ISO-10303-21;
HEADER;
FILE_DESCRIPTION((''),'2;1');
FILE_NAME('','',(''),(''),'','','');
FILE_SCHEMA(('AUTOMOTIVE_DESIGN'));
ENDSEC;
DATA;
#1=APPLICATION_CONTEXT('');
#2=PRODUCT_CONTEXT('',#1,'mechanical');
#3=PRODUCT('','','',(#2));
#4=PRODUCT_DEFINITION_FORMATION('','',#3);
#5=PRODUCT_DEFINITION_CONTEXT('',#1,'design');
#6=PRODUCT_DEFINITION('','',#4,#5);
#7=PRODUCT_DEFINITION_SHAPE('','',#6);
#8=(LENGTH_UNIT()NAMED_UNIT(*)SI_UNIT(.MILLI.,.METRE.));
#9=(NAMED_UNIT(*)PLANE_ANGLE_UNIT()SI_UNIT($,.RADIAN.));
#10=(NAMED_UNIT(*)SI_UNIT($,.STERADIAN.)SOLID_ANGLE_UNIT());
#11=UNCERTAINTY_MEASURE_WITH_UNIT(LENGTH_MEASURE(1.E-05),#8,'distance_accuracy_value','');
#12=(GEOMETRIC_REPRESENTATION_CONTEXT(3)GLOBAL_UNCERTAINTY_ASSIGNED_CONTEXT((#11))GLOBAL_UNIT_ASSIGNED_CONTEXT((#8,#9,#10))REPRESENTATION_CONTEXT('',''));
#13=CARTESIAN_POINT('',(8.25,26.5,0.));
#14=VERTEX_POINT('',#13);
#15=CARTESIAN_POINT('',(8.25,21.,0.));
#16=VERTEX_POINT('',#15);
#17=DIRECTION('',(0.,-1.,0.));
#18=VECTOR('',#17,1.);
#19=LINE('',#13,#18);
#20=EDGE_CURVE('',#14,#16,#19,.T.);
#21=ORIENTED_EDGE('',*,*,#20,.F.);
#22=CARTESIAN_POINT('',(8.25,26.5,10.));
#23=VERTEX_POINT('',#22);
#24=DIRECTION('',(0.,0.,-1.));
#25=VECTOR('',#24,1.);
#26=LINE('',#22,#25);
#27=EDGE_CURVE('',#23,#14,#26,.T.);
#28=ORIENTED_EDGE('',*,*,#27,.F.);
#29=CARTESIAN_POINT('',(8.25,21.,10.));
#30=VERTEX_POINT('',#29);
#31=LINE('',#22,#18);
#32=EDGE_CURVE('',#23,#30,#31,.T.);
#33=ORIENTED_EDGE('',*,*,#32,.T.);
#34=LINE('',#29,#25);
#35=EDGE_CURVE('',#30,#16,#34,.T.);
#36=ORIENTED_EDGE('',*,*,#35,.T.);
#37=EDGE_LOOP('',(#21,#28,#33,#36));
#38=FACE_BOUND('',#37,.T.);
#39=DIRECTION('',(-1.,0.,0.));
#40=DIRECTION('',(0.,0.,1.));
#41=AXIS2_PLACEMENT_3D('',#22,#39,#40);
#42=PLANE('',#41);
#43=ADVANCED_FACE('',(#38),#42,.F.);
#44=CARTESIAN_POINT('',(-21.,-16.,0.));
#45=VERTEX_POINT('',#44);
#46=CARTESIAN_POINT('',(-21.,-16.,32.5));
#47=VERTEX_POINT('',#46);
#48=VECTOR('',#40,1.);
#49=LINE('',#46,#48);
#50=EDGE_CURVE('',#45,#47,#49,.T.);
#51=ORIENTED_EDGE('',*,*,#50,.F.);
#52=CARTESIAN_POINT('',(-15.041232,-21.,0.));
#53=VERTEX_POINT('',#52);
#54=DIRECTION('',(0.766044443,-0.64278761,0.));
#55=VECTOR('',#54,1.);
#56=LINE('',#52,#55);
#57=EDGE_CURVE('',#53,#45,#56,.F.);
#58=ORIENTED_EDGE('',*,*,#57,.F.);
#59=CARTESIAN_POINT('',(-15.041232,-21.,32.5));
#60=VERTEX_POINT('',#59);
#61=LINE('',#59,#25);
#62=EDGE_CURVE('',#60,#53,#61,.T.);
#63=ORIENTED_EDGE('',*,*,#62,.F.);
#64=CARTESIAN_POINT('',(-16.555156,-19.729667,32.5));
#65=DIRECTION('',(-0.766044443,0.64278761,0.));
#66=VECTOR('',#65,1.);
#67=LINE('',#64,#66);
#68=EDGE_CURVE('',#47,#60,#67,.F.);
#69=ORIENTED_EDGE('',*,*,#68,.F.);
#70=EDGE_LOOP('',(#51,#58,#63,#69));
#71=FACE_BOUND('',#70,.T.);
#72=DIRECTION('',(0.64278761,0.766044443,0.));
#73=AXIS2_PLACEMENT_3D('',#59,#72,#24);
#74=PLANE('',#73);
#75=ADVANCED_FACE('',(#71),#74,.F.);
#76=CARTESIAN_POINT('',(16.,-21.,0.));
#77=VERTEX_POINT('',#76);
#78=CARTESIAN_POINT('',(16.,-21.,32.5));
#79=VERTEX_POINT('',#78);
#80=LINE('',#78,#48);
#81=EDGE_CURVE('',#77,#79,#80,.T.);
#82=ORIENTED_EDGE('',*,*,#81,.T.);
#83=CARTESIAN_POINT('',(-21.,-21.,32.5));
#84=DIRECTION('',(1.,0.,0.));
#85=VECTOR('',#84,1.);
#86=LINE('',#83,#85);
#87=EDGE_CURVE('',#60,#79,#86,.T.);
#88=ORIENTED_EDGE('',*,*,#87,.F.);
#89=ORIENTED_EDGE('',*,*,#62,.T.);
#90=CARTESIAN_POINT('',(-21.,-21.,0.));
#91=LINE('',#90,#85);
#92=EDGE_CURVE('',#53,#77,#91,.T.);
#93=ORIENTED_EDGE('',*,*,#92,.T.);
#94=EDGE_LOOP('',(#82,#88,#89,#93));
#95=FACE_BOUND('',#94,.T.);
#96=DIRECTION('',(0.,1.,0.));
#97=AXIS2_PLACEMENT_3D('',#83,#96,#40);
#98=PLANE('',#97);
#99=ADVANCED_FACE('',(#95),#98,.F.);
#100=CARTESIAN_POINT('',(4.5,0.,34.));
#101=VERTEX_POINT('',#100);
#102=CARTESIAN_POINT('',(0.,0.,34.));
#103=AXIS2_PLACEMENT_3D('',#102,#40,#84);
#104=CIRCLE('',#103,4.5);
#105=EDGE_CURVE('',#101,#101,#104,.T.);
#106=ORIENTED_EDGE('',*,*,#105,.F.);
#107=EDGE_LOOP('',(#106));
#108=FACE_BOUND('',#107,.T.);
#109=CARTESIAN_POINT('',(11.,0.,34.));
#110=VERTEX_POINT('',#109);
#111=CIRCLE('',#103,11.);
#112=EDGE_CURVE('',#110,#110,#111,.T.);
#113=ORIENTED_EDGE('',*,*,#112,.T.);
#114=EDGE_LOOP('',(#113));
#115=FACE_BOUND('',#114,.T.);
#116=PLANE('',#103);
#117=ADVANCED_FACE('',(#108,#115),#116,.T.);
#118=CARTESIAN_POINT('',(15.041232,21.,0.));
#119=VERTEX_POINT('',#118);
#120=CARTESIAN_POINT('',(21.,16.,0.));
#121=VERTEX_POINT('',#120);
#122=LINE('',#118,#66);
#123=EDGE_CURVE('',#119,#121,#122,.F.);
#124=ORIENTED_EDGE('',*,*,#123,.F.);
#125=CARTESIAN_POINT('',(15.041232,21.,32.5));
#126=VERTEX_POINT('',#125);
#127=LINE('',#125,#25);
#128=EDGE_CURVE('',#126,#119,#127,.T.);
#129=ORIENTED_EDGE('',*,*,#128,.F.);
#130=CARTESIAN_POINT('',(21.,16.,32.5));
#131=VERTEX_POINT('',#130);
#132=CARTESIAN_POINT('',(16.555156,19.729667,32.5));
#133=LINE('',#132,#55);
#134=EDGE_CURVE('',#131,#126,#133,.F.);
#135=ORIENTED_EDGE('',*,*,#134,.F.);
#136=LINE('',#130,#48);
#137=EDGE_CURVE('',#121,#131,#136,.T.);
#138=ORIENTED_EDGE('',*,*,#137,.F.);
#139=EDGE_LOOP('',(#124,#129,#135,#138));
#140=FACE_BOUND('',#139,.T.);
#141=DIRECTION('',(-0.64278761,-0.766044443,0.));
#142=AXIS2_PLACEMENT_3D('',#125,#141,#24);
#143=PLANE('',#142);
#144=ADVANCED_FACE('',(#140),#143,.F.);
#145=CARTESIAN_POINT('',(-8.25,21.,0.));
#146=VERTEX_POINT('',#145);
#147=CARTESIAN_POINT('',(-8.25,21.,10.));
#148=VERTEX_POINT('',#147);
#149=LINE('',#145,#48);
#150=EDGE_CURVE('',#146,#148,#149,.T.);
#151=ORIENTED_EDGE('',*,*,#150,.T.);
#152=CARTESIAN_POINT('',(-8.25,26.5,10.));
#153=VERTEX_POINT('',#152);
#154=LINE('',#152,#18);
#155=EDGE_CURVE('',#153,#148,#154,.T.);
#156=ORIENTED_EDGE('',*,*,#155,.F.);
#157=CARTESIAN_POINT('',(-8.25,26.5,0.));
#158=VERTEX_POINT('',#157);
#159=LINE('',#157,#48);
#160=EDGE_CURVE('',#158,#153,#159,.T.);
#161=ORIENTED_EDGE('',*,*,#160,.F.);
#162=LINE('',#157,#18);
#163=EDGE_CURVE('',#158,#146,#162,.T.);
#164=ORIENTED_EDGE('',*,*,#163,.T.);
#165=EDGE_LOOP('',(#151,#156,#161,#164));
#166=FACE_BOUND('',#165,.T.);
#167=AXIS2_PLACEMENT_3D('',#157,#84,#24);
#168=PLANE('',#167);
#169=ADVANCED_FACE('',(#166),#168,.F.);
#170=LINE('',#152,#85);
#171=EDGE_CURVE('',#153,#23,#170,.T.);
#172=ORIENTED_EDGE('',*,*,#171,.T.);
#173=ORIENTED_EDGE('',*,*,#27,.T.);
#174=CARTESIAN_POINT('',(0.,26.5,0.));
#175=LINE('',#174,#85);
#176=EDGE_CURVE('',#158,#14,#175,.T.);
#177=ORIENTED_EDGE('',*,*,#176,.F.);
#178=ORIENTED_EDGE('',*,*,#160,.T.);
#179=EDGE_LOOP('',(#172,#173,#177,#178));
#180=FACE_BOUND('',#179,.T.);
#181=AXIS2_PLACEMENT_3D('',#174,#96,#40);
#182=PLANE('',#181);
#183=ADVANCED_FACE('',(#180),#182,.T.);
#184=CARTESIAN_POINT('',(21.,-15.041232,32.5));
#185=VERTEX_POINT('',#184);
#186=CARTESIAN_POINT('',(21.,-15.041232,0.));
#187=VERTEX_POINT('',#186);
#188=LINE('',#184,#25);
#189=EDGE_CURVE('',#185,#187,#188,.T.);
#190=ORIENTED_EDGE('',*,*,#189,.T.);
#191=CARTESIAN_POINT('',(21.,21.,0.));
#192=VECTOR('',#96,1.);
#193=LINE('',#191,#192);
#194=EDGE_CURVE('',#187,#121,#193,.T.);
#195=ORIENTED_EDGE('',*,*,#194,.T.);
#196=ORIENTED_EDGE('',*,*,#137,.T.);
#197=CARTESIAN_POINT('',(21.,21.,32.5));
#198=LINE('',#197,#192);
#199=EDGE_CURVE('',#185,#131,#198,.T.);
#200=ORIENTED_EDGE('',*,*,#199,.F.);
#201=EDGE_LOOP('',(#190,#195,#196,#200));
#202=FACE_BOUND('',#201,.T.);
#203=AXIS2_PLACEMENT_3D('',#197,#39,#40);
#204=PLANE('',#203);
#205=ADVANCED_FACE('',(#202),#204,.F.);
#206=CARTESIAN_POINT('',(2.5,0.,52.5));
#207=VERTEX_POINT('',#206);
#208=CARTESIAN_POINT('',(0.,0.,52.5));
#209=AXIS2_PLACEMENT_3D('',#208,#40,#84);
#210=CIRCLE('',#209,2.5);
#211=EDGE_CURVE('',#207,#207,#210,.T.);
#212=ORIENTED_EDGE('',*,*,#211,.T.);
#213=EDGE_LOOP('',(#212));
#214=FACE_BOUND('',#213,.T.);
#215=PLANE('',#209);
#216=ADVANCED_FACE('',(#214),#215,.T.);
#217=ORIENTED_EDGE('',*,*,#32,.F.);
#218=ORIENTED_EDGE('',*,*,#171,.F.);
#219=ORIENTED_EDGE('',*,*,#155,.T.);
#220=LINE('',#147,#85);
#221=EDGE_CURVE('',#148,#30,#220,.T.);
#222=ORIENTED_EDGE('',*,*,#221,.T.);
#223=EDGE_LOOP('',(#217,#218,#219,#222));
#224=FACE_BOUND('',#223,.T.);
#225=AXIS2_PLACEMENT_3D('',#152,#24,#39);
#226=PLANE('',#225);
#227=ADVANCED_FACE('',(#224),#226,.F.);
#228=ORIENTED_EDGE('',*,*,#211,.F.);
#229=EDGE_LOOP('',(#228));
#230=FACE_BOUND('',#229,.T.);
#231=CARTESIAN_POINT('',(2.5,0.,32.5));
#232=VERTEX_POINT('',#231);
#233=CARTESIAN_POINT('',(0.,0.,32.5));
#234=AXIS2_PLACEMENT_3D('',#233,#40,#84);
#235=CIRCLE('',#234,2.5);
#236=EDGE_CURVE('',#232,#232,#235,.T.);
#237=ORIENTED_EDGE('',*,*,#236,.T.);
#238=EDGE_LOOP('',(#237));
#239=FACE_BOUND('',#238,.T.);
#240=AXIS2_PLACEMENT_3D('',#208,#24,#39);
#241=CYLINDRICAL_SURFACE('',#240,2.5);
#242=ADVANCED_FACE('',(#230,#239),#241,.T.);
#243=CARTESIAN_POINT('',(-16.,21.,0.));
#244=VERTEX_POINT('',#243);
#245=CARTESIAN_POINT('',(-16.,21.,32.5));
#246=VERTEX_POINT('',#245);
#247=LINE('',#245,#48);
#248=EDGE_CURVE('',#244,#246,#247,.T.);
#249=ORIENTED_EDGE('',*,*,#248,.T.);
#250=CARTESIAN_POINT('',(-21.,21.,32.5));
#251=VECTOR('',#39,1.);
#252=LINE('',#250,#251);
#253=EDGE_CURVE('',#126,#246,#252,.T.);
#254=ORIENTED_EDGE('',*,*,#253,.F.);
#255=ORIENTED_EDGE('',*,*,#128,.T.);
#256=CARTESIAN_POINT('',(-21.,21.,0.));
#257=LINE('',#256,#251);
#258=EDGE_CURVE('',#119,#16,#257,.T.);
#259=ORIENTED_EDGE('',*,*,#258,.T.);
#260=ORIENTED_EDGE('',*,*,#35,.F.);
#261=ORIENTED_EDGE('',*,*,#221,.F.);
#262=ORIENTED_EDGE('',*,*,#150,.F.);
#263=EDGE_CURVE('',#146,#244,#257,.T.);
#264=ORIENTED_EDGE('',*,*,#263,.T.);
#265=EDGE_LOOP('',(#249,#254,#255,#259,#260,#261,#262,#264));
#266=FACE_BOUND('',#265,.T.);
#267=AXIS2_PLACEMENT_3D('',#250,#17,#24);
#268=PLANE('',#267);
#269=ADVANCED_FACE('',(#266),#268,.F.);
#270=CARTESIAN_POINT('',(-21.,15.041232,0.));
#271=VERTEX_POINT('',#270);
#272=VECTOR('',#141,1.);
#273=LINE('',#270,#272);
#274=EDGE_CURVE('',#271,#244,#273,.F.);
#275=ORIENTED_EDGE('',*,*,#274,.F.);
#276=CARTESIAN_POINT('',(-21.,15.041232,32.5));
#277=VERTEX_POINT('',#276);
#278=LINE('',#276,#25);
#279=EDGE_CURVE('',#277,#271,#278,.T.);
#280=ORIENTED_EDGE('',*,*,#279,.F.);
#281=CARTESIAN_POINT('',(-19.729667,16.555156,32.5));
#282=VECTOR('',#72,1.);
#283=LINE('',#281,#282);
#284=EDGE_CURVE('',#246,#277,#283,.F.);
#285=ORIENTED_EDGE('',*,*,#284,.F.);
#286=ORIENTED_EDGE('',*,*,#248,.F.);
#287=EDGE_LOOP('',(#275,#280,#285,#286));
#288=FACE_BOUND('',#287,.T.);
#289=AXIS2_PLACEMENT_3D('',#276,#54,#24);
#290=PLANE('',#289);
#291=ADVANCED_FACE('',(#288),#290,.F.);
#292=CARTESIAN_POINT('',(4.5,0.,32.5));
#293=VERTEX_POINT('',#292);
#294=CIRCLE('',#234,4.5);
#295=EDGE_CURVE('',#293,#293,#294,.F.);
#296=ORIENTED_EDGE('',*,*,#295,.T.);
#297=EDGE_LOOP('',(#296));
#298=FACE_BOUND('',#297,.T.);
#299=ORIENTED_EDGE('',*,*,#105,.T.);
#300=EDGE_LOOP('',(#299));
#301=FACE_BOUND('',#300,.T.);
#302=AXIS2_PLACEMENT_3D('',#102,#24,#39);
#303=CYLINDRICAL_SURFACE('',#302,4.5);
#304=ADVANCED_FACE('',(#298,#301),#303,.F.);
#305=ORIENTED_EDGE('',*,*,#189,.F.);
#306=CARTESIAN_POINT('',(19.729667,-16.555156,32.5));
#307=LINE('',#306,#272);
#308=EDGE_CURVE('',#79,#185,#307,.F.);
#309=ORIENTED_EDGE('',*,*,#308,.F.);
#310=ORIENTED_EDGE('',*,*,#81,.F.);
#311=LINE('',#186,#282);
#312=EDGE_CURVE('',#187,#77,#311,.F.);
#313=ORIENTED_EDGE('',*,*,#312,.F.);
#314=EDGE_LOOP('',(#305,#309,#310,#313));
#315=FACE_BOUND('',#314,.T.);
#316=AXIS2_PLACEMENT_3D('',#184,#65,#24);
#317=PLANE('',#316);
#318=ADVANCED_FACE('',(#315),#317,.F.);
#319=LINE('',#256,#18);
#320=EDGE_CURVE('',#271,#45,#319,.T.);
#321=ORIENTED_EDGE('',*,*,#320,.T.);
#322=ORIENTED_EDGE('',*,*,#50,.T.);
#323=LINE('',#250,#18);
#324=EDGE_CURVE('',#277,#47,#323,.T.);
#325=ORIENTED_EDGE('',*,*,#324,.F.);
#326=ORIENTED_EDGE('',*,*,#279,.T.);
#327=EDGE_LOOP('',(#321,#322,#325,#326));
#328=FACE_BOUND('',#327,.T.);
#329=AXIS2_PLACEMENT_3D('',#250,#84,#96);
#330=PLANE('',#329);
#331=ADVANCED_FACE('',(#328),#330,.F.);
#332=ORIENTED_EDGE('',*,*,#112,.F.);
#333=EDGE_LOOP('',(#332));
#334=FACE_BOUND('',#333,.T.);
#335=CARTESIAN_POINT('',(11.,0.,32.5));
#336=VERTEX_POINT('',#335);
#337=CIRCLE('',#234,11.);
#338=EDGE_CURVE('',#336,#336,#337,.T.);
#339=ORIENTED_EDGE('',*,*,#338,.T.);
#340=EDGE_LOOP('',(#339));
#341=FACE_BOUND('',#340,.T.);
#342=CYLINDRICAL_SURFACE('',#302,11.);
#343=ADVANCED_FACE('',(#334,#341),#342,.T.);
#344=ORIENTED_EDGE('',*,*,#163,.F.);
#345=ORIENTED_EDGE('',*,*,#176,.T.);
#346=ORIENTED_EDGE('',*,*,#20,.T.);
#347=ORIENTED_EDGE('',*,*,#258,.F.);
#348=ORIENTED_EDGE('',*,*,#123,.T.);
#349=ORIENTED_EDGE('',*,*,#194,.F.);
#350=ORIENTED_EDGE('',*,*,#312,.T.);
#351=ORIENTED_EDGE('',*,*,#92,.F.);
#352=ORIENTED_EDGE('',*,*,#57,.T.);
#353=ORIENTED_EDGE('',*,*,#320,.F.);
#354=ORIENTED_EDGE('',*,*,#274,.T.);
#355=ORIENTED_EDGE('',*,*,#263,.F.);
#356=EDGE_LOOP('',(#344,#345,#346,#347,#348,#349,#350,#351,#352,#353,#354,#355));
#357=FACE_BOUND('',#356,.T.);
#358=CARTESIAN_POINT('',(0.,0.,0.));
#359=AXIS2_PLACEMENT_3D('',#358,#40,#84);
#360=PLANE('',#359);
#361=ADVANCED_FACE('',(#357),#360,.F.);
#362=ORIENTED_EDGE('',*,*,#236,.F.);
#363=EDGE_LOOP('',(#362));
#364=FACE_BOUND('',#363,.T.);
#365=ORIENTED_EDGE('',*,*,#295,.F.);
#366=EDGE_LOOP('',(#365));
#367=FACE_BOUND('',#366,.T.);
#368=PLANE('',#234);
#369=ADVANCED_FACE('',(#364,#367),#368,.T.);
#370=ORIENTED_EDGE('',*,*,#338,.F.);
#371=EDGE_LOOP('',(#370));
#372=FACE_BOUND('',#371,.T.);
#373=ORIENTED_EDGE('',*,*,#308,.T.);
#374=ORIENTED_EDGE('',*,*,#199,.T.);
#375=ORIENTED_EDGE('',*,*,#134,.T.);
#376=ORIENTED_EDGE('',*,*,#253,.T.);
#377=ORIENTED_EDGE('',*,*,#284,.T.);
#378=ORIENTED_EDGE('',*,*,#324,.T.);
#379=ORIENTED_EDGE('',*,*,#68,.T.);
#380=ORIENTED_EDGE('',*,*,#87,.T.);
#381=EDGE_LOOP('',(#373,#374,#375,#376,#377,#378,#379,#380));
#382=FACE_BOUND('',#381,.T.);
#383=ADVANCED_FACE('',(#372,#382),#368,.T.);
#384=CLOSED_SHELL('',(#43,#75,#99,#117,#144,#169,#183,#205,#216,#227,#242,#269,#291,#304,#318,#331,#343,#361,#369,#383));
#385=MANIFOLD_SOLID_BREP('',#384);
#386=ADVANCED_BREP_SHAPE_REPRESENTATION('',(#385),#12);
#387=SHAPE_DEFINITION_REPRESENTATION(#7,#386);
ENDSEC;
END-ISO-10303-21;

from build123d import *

# Parameters (mm, degrees)
ESQUISSE1_W             = 42
ESQUISSE1_H             = 42
BOSS_EXTRU_1_DEPTH      = 32.5
CHANFREIN1_SIZE         = 5
CHANFREIN1_SIZE2        = 5.958767963
CHANFREIN1_PART_2_SIZE  = 5
CHANFREIN1_PART_2_SIZE2 = 5.958767963
CHANFREIN1_PART_3_SIZE  = 5
CHANFREIN1_PART_3_SIZE2 = 5.958767963
CHANFREIN1_PART_4_SIZE  = 5
CHANFREIN1_PART_4_SIZE2 = 5.958767963
ESQUISSE2_R             = 11
ESQUISSE2_R_2           = 4.5
BOSS_EXTRU_2_DEPTH      = 1.5
ESQUISSE3_R             = 2.5
BOSS_EXTRU_3_DEPTH      = 20
BOSS_EXTRU_4_DEPTH      = 5.5


with BuildPart() as part:
    # Esquisse1 → Boss.-Extru.1 (new body)
    with BuildSketch(Plane.XY):
        Rectangle(ESQUISSE1_W, ESQUISSE1_H)
    extrude(amount=BOSS_EXTRU_1_DEPTH)

    # Chanfrein1
    chanfrein1_edges = [part.edges().sort_by_distance(p)[0] for p in [
        (21, -21, 16.25),
    ]]
    chanfrein1_side = [part.faces().sort_by_distance(p)[0] for p in [
        (0, -21, 16.25),
    ]]
    chamfer(chanfrein1_edges, length=CHANFREIN1_SIZE, length2=CHANFREIN1_SIZE2, reference=chanfrein1_side[0])

    # Chanfrein1 part 2
    chanfrein1_part_2_edges = [part.edges().sort_by_distance(p)[0] for p in [
        (-21, -21, 16.25),
    ]]
    chanfrein1_part_2_side = [part.faces().sort_by_distance(p)[0] for p in [
        (-21, 0, 16.25),
    ]]
    chamfer(chanfrein1_part_2_edges, length=CHANFREIN1_PART_2_SIZE, length2=CHANFREIN1_PART_2_SIZE2, reference=chanfrein1_part_2_side[0])

    # Chanfrein1 part 3
    chanfrein1_part_3_edges = [part.edges().sort_by_distance(p)[0] for p in [
        (-21, 21, 16.25),
    ]]
    chanfrein1_part_3_side = [part.faces().sort_by_distance(p)[0] for p in [
        (0, 21, 16.25),
    ]]
    chamfer(chanfrein1_part_3_edges, length=CHANFREIN1_PART_3_SIZE, length2=CHANFREIN1_PART_3_SIZE2, reference=chanfrein1_part_3_side[0])

    # Chanfrein1 part 4
    chanfrein1_part_4_edges = [part.edges().sort_by_distance(p)[0] for p in [
        (21, 21, 16.25),
    ]]
    chanfrein1_part_4_side = [part.faces().sort_by_distance(p)[0] for p in [
        (21, 0, 16.25),
    ]]
    chamfer(chanfrein1_part_4_edges, length=CHANFREIN1_PART_4_SIZE, length2=CHANFREIN1_PART_4_SIZE2, reference=chanfrein1_part_4_side[0])

    # Esquisse2 → Boss.-Extru.2 (add)
    with BuildSketch(Plane.XY.offset(32.5)):
        Circle(ESQUISSE2_R)
        Circle(ESQUISSE2_R_2, mode=Mode.SUBTRACT)
    extrude(amount=BOSS_EXTRU_2_DEPTH)

    # Esquisse3 → Boss.-Extru.3 (add)
    with BuildSketch(Plane.XY.offset(32.5)):
        Circle(ESQUISSE3_R)
    extrude(amount=BOSS_EXTRU_3_DEPTH)

    # Esquisse4 → Boss.-Extru.4 (add)
    with BuildSketch(Plane(origin=(0, 21, 0), x_dir=(1, 0, 0), z_dir=(0, 1, 0))):
        Polygon((0, 0), (8.25, 0), (8.25, -10), (-8.25, -10), (-8.25, 0), align=None)
    extrude(amount=BOSS_EXTRU_4_DEPTH)


solid = part.part
